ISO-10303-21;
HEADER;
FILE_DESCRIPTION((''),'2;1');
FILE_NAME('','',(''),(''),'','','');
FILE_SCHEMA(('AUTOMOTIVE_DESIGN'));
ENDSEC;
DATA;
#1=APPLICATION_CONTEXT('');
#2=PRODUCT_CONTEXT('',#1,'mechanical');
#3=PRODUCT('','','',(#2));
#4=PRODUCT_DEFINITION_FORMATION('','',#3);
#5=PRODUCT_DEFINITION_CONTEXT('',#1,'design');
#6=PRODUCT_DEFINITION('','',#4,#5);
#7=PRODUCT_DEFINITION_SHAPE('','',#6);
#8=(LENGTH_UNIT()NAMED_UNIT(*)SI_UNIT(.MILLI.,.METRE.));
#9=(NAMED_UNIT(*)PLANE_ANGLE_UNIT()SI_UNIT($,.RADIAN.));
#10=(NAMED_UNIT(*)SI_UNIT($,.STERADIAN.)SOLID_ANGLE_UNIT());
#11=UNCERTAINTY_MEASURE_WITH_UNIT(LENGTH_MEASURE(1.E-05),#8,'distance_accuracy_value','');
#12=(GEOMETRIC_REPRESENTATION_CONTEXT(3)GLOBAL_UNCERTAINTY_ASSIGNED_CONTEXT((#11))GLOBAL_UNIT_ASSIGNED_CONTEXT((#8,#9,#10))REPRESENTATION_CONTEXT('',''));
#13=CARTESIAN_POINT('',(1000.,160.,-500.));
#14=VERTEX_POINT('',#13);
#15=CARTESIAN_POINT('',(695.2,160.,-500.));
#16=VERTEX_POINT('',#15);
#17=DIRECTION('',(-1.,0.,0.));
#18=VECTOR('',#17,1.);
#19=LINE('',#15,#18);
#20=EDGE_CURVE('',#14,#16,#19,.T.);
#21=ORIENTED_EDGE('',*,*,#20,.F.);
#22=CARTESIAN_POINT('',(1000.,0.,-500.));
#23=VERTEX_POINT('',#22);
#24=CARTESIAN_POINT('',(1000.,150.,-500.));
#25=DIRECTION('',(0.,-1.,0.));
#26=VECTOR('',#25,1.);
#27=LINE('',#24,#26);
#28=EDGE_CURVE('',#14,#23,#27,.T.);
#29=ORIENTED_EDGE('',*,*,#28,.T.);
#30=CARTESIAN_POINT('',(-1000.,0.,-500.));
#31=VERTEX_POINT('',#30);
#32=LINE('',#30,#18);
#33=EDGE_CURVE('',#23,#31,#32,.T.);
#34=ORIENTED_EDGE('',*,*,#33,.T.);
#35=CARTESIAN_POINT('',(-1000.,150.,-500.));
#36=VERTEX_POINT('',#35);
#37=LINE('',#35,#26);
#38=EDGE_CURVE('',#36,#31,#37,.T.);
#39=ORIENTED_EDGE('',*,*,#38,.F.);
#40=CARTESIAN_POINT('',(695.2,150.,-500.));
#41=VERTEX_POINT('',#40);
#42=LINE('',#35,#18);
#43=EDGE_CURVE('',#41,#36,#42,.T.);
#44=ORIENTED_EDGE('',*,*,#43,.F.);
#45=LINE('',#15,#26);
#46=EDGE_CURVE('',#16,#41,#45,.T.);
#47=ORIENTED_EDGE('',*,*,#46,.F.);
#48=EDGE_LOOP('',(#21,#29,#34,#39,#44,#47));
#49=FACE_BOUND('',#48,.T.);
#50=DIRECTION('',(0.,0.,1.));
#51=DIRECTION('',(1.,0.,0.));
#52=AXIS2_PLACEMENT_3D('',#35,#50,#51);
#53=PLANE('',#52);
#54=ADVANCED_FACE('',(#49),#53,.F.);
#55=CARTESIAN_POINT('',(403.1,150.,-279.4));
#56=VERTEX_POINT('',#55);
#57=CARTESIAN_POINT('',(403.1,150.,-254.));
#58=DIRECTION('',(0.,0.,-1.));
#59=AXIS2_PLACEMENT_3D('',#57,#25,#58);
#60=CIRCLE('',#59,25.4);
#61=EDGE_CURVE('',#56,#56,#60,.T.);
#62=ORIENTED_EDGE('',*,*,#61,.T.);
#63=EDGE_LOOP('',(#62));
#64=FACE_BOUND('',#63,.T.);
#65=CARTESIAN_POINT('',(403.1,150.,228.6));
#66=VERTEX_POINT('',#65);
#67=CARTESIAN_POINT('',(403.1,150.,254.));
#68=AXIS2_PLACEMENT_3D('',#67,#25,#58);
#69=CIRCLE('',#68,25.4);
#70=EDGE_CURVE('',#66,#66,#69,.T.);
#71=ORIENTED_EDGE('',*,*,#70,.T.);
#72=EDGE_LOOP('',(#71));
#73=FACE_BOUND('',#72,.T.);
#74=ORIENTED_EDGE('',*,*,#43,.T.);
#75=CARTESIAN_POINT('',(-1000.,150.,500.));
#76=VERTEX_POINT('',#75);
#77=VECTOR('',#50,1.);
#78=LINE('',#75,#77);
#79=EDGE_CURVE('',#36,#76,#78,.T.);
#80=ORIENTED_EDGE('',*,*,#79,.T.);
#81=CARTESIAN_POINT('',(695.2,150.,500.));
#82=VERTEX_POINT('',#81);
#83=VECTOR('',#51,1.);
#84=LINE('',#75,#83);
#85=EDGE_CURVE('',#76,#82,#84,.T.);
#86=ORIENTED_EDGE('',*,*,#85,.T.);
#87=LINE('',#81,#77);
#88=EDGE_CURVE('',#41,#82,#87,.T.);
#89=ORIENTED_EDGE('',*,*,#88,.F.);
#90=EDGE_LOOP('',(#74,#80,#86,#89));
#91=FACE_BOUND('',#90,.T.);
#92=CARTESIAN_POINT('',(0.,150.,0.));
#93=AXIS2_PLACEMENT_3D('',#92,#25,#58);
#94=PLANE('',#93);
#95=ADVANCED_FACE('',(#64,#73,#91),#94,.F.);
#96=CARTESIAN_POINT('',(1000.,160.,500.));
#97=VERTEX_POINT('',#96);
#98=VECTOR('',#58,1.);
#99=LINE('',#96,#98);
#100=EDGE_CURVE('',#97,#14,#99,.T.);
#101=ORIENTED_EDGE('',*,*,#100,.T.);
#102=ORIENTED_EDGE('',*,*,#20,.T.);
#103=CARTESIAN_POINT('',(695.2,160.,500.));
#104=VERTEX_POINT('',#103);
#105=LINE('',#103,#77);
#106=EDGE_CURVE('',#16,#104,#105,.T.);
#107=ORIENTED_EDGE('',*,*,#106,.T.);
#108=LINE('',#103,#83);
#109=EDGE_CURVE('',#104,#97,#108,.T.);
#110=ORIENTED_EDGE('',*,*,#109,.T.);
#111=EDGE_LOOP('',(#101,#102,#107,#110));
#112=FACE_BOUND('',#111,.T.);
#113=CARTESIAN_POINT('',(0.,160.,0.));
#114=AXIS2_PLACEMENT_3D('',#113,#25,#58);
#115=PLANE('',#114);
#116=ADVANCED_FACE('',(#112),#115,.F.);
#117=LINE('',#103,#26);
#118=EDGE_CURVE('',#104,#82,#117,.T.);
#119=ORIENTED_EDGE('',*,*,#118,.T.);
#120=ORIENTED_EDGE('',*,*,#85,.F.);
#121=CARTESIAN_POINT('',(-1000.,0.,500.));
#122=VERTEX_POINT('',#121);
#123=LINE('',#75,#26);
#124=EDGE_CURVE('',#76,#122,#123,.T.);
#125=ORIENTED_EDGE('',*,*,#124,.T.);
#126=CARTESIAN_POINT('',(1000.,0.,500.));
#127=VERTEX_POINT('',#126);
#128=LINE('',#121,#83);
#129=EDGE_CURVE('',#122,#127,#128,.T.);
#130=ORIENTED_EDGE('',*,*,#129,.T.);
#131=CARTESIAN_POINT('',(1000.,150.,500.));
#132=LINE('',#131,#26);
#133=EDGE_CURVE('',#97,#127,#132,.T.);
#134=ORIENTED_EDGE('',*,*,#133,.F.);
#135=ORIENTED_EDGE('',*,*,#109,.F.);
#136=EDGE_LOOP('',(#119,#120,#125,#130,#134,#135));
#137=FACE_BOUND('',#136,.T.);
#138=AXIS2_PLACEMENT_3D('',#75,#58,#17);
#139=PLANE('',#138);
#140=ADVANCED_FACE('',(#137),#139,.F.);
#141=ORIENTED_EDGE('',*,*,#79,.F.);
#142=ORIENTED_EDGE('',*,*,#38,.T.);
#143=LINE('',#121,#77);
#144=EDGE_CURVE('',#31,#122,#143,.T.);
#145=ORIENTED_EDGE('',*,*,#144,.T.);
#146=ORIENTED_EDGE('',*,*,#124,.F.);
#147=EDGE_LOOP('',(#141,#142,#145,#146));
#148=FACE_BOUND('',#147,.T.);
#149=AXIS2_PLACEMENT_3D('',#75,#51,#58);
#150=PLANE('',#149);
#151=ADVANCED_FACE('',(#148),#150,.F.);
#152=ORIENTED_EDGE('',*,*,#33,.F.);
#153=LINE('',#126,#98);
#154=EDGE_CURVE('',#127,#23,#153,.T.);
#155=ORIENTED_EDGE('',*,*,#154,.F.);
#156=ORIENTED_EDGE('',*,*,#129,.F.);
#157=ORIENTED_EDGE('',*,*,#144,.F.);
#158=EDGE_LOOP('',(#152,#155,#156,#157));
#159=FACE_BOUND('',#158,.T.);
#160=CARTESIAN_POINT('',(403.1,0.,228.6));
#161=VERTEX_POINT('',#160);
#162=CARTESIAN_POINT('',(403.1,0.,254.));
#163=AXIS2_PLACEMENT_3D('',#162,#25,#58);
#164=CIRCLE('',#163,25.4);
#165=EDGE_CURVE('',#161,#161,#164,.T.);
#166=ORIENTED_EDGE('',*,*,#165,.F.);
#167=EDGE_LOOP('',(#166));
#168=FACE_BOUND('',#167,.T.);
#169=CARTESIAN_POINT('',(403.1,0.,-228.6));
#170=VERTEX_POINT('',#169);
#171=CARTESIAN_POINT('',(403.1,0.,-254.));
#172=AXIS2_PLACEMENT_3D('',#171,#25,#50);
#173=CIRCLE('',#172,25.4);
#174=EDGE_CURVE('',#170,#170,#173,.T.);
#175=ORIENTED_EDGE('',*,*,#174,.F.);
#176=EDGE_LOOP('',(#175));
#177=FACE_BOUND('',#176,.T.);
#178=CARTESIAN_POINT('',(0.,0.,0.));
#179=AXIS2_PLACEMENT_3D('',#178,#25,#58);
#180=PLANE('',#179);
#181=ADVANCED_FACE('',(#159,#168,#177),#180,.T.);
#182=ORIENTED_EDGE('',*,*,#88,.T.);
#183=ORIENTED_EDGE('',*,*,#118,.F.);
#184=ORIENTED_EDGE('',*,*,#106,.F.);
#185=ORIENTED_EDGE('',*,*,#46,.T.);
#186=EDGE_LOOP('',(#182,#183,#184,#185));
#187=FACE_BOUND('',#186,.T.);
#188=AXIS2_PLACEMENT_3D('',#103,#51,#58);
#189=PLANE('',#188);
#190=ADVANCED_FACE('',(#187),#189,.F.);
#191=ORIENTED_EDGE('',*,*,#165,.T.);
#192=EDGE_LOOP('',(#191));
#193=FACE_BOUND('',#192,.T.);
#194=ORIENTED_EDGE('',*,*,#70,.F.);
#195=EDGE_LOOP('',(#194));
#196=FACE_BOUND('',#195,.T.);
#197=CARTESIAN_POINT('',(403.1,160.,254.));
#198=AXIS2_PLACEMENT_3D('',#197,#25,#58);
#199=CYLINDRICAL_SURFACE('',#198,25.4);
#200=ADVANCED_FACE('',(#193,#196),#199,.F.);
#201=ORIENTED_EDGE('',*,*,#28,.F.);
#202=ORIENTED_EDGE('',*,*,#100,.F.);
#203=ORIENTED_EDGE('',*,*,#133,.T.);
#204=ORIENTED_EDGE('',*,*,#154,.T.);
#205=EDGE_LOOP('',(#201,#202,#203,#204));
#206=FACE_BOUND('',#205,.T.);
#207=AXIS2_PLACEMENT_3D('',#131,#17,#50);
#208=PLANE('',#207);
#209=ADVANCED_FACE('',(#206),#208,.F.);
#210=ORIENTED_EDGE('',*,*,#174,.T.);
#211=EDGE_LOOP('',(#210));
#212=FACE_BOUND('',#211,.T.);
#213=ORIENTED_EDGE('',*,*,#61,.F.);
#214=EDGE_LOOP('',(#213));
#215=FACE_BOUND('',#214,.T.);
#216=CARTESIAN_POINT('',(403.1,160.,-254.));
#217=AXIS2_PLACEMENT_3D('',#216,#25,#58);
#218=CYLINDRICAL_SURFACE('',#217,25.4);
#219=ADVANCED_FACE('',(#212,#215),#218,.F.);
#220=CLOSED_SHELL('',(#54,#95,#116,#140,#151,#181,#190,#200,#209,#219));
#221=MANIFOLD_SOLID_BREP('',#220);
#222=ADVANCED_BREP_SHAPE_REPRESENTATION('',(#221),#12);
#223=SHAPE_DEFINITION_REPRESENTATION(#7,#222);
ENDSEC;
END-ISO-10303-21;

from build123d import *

# Parameters (mm, degrees)
SKETCH1_W           = 2000
SKETCH1_H           = 1000
BOSS_EXTRUDE1_DEPTH = 150
SKETCH2_W           = 304.8
SKETCH2_H           = 1000
BOSS_EXTRUDE2_DEPTH = 10
SKETCH3_R           = 25.4
CUT_EXTRUDE1_DEPTH  = 161


with BuildPart() as part:
    # Sketch1 → Boss-Extrude1 (new body)
    with BuildSketch(Plane(origin=(0, 0, 0), x_dir=(1, 0, 0), z_dir=(0, 1, 0))):
        Rectangle(SKETCH1_W, SKETCH1_H)
    extrude(amount=BOSS_EXTRUDE1_DEPTH)

    # Sketch2 → Boss-Extrude2 (add)
    with BuildSketch(Plane(origin=(0, 150, 0), x_dir=(1, 0, 0), z_dir=(0, 1, 0))):
        with Locations((847.6, 0)):
            Rectangle(SKETCH2_W, SKETCH2_H)
    extrude(amount=BOSS_EXTRUDE2_DEPTH)

    # Sketch3 → Cut-Extrude1 (cut, through all)
    with BuildSketch(Plane.XZ):
        with Locations((403.1, 254)):
            Circle(SKETCH3_R)
        with Locations((403.1, -254)):
            Circle(SKETCH3_R)
    extrude(amount=-CUT_EXTRUDE1_DEPTH, mode=Mode.SUBTRACT)


solid = part.part
